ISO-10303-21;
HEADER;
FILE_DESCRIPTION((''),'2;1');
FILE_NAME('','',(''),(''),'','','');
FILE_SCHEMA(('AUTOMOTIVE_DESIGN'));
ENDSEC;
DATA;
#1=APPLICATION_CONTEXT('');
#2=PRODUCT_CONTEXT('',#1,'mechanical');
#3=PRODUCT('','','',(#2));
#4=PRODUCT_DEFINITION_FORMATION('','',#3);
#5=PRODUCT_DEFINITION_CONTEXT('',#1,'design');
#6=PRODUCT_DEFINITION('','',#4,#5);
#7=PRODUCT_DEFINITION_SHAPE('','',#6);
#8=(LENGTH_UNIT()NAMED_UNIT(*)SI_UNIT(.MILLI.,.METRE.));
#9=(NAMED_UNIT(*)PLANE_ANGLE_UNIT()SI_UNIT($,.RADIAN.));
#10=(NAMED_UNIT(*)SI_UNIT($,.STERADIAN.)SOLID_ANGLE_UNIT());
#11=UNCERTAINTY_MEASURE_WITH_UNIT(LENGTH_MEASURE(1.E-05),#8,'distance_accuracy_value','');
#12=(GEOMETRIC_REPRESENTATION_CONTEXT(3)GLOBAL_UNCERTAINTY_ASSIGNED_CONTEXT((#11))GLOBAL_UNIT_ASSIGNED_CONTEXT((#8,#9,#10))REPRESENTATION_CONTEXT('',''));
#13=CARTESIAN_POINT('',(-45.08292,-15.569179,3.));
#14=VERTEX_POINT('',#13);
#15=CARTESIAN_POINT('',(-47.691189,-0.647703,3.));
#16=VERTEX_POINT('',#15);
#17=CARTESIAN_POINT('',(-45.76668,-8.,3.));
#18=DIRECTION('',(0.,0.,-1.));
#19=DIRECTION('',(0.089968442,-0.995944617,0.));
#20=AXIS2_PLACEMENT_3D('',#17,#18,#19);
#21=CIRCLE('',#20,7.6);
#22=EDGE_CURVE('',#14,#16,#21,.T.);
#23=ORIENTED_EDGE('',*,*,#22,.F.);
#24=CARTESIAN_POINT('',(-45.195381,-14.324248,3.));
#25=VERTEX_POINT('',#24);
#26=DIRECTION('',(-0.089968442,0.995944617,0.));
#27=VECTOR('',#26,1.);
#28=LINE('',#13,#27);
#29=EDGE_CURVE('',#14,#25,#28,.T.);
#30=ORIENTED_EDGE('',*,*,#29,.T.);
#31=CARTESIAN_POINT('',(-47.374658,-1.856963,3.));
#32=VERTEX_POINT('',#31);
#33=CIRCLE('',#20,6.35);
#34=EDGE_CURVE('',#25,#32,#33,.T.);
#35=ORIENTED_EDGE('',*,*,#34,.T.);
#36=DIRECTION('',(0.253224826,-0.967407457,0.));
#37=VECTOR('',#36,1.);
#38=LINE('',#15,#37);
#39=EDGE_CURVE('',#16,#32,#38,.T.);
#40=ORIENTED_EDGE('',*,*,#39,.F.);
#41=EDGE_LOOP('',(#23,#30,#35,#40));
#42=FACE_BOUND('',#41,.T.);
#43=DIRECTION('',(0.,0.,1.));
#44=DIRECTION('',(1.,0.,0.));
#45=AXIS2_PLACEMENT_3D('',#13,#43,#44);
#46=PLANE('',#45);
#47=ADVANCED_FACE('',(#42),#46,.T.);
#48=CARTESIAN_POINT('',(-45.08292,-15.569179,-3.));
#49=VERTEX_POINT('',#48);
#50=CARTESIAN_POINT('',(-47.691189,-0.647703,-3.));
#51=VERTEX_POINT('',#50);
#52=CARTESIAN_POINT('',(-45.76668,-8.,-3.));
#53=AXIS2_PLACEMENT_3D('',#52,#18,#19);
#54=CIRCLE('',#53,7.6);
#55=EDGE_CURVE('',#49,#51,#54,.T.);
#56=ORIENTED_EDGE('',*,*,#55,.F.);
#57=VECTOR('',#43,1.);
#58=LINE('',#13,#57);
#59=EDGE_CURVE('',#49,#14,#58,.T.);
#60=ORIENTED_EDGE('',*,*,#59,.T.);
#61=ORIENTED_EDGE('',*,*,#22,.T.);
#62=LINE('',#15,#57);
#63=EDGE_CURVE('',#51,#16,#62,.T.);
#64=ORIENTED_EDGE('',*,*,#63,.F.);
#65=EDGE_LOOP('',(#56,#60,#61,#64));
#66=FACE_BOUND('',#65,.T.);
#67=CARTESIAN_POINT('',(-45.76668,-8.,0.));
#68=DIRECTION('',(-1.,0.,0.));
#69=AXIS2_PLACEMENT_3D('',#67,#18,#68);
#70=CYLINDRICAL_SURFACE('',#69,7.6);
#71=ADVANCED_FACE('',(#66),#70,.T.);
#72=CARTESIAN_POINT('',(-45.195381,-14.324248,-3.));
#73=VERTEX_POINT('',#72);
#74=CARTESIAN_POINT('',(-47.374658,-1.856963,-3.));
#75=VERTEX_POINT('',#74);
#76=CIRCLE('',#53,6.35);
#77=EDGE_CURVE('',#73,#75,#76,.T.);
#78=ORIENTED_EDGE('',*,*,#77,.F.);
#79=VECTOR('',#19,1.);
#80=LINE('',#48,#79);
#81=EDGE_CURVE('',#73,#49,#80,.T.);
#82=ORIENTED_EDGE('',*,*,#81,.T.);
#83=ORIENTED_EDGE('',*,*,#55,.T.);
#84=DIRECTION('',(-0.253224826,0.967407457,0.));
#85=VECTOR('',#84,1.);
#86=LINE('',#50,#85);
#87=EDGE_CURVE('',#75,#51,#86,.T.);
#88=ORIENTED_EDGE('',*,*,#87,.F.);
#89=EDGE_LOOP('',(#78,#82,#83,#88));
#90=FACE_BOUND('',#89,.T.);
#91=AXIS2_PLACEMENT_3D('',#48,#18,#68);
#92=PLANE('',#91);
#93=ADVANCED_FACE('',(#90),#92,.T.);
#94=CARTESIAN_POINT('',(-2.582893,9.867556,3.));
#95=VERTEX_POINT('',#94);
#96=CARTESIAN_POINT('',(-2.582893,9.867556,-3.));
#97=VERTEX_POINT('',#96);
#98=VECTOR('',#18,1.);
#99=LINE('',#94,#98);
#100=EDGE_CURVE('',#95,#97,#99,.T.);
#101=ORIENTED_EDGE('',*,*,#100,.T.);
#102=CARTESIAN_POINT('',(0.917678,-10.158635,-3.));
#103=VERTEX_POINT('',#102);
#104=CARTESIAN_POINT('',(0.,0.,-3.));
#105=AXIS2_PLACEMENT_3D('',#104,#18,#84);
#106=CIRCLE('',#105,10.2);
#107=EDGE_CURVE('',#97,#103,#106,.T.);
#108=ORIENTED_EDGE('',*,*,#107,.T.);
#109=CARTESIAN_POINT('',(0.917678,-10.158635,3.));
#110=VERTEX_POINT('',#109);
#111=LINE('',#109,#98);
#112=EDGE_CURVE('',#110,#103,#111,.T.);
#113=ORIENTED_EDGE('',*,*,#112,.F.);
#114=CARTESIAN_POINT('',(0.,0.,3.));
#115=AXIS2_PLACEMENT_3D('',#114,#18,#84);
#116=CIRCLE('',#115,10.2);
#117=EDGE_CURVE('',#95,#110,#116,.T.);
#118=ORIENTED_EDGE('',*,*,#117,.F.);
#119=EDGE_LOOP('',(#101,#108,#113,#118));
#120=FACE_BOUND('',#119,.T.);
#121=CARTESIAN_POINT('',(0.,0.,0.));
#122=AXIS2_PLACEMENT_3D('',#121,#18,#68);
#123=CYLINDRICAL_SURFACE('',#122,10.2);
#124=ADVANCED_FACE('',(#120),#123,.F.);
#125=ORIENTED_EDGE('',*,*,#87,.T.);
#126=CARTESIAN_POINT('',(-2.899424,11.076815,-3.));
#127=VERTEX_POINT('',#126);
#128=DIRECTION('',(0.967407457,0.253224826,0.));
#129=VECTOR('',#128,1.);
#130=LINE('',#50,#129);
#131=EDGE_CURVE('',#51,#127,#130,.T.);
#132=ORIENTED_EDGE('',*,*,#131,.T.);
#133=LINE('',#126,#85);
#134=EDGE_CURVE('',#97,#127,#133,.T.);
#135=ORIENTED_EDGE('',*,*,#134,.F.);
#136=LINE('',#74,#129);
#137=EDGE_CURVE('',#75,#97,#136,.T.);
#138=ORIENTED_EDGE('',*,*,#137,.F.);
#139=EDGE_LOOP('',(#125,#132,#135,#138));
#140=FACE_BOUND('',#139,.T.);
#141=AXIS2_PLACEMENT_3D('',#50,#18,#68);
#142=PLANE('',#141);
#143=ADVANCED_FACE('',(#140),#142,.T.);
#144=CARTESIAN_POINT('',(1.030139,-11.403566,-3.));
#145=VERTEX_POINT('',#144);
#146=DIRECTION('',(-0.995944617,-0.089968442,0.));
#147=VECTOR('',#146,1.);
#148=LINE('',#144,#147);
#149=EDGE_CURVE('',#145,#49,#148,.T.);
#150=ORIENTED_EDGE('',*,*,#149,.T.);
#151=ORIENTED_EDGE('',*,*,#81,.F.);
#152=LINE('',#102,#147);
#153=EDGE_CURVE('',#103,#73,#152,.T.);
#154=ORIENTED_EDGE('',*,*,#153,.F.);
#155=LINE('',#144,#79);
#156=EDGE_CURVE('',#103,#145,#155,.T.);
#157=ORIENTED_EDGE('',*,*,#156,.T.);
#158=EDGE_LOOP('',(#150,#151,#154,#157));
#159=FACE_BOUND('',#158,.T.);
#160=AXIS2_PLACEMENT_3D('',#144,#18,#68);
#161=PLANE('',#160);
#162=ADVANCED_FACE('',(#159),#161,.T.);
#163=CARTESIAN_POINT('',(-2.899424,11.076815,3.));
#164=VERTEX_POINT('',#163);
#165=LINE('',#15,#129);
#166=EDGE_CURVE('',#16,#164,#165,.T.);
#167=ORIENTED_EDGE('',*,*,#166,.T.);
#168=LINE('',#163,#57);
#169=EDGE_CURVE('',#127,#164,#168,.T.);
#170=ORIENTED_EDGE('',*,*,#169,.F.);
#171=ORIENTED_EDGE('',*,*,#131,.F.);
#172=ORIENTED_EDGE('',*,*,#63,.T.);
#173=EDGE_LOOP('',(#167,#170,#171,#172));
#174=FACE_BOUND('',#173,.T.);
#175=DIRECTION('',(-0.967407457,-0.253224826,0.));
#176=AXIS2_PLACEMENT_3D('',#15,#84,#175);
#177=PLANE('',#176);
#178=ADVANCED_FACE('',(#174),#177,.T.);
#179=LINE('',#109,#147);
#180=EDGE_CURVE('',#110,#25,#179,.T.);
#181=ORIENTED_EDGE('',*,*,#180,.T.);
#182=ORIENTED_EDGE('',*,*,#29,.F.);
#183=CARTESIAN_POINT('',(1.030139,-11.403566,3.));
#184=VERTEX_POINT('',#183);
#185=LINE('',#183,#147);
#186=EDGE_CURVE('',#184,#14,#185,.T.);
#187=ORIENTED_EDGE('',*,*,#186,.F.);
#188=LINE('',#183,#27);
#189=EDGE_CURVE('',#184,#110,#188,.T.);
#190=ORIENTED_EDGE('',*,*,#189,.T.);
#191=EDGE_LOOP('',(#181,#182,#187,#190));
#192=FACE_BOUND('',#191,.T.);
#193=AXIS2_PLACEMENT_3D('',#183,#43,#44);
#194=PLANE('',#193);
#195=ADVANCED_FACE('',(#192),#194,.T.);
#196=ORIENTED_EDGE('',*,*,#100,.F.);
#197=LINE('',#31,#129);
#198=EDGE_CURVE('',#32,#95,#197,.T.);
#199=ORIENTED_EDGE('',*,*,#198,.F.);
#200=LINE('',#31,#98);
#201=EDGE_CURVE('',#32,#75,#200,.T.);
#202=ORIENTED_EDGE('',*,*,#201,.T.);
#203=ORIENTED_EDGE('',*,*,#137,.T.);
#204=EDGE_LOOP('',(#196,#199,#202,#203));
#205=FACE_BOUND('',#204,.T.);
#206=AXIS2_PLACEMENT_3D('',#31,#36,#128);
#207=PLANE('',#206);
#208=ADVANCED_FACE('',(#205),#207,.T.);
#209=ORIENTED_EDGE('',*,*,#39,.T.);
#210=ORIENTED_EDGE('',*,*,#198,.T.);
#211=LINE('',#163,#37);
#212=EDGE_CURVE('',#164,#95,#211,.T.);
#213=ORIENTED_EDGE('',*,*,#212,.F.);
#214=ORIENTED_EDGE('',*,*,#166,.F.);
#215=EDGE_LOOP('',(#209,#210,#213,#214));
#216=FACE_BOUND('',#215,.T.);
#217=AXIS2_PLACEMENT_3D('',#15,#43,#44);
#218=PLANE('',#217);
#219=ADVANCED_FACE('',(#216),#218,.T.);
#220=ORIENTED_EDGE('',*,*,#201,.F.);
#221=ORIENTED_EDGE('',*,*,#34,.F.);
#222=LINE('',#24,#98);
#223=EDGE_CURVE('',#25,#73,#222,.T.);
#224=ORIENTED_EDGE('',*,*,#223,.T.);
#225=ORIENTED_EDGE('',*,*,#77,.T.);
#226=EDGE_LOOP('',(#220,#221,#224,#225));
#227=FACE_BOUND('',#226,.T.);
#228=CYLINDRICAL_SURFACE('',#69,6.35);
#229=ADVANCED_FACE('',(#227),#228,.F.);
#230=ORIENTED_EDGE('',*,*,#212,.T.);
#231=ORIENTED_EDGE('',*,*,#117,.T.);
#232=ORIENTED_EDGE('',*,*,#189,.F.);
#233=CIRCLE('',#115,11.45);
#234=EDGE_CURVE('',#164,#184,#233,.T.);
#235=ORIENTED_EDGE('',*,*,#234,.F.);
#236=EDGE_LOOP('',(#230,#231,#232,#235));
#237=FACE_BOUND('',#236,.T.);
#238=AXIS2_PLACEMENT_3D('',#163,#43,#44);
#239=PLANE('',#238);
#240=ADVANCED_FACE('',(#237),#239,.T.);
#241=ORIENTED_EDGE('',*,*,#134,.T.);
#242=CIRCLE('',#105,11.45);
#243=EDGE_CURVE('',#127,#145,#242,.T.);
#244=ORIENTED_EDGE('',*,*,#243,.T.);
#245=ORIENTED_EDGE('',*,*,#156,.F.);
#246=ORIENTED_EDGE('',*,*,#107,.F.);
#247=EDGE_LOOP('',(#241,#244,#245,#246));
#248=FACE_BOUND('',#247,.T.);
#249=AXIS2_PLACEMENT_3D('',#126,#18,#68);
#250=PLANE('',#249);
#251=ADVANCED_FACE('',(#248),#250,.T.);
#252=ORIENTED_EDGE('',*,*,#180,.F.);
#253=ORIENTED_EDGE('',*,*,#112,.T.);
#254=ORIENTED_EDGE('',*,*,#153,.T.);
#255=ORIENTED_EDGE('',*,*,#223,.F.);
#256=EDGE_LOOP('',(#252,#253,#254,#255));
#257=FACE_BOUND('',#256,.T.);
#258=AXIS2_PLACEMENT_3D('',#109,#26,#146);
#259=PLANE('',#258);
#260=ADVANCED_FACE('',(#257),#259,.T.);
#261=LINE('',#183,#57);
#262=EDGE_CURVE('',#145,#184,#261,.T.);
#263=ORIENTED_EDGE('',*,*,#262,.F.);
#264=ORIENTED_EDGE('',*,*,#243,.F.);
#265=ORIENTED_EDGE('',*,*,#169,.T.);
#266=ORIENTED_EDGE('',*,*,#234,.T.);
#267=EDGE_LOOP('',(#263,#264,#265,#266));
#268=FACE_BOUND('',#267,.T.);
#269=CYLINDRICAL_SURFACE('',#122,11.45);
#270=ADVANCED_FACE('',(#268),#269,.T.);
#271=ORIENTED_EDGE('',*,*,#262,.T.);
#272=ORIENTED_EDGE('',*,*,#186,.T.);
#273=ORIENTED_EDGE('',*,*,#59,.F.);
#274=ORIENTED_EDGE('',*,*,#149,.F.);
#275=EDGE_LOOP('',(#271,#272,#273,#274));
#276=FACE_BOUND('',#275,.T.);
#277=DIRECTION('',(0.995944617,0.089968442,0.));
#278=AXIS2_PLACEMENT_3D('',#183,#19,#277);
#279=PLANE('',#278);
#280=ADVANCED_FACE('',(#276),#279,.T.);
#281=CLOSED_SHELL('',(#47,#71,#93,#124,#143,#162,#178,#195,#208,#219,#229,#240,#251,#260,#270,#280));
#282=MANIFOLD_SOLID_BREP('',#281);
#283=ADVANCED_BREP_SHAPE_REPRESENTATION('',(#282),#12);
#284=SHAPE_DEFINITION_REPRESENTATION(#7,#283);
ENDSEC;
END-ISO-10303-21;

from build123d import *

# Parameters (mm, degrees)
SKETCH3_W = 6
SKETCH3_H = 1.25


with BuildPart() as part:
    # Sweep1: sweep along a path in Sketch2
    with BuildLine(Plane.XY) as sweep1_path:
        Line((0.917678109, -10.15863509), (-45.195380767, -14.324248316))
        ThreePointArc((-45.195380767, -14.324248316), (-52.021836512, -9.093399143), (-47.374658016, -1.856962649))
        Line((-47.374658016, -1.856962649), (-2.582893221, 9.867556061))
        ThreePointArc((-2.582893221, 9.867556061), (10.04765238, 1.756326183), (0.917678109, -10.15863509))
    # Sketch3 → Sweep1 (sweep)
    with BuildSketch(Plane(origin=(0.917678109, -10.15863509, 0), x_dir=(0, 0, 1), z_dir=(-0.995944617, -0.089968442, 0))):
        with Locations((0, -0.625)):
            Rectangle(SKETCH3_W, SKETCH3_H)
    sweep(path=sweep1_path.line)


solid = part.part
